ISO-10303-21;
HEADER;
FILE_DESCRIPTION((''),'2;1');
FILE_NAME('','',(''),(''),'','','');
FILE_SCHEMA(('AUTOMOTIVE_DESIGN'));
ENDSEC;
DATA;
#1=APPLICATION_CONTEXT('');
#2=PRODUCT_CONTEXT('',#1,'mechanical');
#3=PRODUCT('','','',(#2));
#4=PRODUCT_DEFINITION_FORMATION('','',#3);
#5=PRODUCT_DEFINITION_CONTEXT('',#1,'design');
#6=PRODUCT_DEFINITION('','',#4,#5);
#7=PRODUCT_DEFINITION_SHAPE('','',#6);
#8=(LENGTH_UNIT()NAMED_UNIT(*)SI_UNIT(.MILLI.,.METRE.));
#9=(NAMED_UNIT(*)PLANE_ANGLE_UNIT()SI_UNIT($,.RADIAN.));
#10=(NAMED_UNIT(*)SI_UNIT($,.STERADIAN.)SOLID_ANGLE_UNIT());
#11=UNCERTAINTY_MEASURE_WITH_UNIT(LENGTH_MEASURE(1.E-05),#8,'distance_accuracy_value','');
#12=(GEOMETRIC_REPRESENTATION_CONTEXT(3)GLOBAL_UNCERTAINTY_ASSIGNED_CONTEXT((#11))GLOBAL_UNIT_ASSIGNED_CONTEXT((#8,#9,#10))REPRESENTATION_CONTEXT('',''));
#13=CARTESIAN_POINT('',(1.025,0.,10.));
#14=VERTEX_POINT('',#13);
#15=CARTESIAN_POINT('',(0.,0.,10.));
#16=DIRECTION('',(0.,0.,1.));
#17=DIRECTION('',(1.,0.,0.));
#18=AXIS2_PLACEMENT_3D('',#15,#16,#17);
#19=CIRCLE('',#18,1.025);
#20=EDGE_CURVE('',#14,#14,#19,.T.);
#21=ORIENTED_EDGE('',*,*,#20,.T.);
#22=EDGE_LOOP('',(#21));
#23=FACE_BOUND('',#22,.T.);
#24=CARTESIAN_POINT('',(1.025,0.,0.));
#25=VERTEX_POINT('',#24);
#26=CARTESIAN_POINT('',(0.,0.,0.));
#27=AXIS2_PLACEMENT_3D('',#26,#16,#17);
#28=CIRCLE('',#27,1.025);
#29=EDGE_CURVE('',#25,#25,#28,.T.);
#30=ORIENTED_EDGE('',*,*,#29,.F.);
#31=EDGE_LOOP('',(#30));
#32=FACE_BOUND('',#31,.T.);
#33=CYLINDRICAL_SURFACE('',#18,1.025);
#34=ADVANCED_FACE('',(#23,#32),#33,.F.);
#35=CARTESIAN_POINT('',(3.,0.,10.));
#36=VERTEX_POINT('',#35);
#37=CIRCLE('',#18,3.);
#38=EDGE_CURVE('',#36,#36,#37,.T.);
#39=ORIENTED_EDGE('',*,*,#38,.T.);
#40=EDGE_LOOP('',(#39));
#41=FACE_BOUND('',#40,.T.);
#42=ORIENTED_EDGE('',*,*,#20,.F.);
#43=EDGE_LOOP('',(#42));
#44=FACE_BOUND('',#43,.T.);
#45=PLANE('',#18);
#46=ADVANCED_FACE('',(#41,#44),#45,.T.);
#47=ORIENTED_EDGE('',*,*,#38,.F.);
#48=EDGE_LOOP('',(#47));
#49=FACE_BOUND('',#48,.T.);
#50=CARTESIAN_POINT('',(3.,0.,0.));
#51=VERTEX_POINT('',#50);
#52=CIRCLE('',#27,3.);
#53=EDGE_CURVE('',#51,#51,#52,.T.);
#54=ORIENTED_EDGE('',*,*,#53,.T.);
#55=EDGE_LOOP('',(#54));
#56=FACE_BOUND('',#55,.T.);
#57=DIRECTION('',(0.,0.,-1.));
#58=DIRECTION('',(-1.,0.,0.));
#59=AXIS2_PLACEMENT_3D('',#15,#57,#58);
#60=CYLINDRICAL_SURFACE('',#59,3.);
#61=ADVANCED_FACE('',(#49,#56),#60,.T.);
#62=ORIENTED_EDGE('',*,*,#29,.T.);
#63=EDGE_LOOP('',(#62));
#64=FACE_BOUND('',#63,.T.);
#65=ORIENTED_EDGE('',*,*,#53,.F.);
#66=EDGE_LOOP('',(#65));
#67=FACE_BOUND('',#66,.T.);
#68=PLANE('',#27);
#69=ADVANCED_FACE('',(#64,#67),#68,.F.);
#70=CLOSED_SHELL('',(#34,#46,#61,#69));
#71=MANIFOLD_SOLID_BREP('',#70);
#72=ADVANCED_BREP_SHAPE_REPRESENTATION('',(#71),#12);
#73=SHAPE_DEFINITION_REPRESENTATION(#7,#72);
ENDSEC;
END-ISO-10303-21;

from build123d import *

# Parameters (mm, degrees)
SKETCH1_R           = 3
BOSS_EXTRUDE1_DEPTH = 10
M2_5_TAPPED_HOLE1_D = 2.05


with BuildPart() as part:
    # Sketch1 → Boss-Extrude1 (new body)
    with BuildSketch(Plane.XY):
        Circle(SKETCH1_R)
    extrude(amount=BOSS_EXTRUDE1_DEPTH)

    # M2.5 Tapped Hole1 (through all)
    with Locations(Plane.XY.offset(10)):
        with Locations((0, 0)):
            Hole(M2_5_TAPPED_HOLE1_D / 2)


solid = part.part
